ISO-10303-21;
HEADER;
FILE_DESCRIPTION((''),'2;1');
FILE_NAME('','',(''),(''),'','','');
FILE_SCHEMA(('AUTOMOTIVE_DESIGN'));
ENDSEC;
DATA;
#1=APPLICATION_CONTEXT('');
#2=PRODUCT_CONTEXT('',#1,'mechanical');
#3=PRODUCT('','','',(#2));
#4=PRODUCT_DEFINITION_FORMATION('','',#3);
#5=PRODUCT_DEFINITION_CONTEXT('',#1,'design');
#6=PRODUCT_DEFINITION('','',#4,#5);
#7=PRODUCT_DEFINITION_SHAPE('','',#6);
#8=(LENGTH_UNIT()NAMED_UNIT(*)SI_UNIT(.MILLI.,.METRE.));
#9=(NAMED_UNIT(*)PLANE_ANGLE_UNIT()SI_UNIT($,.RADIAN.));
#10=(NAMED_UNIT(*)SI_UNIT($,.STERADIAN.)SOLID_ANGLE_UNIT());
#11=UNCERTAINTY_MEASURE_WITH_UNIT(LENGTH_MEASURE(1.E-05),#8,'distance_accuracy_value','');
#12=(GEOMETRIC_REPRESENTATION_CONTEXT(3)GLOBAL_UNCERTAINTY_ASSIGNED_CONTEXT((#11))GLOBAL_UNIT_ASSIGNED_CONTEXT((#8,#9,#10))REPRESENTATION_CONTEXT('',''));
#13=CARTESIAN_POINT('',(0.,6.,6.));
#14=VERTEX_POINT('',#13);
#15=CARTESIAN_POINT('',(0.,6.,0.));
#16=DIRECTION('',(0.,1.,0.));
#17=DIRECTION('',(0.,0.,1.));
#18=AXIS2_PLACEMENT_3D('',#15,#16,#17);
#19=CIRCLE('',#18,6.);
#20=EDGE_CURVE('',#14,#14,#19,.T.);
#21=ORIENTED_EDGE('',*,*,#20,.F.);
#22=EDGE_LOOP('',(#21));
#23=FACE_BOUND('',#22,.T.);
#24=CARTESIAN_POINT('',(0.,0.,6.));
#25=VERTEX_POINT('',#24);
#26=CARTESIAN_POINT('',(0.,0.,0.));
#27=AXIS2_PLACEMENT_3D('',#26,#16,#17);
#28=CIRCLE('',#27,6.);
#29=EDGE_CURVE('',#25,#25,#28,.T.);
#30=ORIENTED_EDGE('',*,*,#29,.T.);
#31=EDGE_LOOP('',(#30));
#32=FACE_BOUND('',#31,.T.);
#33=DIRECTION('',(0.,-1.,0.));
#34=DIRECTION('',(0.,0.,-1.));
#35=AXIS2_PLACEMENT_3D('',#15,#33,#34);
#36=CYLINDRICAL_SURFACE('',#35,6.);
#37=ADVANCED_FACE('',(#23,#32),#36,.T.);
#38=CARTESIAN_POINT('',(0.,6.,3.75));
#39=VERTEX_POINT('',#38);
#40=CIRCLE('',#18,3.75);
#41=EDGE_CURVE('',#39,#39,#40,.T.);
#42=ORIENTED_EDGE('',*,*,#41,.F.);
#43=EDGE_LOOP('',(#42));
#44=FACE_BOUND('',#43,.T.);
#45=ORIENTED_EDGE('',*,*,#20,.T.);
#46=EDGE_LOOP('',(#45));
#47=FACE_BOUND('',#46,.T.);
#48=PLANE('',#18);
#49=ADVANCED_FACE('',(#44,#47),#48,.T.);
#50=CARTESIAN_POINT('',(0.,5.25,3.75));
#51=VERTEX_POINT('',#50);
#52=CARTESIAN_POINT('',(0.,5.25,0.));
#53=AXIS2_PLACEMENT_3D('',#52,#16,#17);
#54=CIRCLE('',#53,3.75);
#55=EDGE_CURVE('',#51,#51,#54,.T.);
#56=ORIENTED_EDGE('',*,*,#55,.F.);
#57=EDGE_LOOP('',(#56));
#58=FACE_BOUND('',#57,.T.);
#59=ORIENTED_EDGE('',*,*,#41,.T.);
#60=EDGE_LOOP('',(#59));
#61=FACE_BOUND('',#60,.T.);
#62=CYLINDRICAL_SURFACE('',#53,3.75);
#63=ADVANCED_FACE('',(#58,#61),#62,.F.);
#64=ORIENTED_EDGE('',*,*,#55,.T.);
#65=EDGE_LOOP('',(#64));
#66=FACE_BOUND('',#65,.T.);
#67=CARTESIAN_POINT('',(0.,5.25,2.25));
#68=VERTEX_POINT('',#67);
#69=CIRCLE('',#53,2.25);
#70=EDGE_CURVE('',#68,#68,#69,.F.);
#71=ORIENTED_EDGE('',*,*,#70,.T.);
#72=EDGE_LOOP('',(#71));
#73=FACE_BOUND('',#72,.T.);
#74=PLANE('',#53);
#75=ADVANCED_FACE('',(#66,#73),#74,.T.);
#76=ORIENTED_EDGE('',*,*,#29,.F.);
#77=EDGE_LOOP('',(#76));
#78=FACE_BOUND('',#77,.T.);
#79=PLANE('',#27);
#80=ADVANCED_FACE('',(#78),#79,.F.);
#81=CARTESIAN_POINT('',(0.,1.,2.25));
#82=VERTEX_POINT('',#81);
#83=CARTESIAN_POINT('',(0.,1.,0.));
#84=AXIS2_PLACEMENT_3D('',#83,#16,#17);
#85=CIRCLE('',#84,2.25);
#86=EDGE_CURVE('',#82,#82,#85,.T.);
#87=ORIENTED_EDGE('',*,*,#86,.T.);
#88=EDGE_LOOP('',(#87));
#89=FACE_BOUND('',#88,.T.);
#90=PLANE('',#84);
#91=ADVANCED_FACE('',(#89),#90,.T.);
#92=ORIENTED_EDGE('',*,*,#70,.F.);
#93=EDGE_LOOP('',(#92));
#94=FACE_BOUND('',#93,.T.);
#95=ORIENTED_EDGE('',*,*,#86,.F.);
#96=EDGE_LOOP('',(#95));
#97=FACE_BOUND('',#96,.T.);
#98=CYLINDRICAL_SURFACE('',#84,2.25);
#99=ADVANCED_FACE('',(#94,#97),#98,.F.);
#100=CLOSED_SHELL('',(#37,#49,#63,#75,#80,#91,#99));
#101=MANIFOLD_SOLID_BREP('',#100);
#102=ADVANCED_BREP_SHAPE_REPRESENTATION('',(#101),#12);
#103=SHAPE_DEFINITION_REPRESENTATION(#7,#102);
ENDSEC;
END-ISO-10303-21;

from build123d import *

# Parameters (mm, degrees)
ESQUISSE1_R             = 6
BOSS_EXTRU_1_DEPTH      = 6
ESQUISSE2_R             = 2.25
ENL_V_MAT_EXTRU_1_DEPTH = 5
ESQUISSE3_R             = 3.75
ENL_V_MAT_EXTRU_2_DEPTH = 0.75


with BuildPart() as part:
    # Esquisse1 → Boss.-Extru.1 (new body)
    with BuildSketch(Plane(origin=(0, 0, 0), x_dir=(1, 0, 0), z_dir=(0, 1, 0))):
        Circle(ESQUISSE1_R)
    extrude(amount=BOSS_EXTRU_1_DEPTH)

    # Esquisse2 → Enlèv. mat.-Extru.1 (cut)
    with BuildSketch(Plane(origin=(0, 6, 0), x_dir=(1, 0, 0), z_dir=(0, 1, 0))):
        Circle(ESQUISSE2_R)
    extrude(amount=-ENL_V_MAT_EXTRU_1_DEPTH, mode=Mode.SUBTRACT)

    # Esquisse3 → Enlèv. mat.-Extru.2 (cut)
    with BuildSketch(Plane(origin=(0, 6, 0), x_dir=(1, 0, 0), z_dir=(0, 1, 0))):
        Circle(ESQUISSE3_R)
    extrude(amount=-ENL_V_MAT_EXTRU_2_DEPTH, mode=Mode.SUBTRACT)


solid = part.part
